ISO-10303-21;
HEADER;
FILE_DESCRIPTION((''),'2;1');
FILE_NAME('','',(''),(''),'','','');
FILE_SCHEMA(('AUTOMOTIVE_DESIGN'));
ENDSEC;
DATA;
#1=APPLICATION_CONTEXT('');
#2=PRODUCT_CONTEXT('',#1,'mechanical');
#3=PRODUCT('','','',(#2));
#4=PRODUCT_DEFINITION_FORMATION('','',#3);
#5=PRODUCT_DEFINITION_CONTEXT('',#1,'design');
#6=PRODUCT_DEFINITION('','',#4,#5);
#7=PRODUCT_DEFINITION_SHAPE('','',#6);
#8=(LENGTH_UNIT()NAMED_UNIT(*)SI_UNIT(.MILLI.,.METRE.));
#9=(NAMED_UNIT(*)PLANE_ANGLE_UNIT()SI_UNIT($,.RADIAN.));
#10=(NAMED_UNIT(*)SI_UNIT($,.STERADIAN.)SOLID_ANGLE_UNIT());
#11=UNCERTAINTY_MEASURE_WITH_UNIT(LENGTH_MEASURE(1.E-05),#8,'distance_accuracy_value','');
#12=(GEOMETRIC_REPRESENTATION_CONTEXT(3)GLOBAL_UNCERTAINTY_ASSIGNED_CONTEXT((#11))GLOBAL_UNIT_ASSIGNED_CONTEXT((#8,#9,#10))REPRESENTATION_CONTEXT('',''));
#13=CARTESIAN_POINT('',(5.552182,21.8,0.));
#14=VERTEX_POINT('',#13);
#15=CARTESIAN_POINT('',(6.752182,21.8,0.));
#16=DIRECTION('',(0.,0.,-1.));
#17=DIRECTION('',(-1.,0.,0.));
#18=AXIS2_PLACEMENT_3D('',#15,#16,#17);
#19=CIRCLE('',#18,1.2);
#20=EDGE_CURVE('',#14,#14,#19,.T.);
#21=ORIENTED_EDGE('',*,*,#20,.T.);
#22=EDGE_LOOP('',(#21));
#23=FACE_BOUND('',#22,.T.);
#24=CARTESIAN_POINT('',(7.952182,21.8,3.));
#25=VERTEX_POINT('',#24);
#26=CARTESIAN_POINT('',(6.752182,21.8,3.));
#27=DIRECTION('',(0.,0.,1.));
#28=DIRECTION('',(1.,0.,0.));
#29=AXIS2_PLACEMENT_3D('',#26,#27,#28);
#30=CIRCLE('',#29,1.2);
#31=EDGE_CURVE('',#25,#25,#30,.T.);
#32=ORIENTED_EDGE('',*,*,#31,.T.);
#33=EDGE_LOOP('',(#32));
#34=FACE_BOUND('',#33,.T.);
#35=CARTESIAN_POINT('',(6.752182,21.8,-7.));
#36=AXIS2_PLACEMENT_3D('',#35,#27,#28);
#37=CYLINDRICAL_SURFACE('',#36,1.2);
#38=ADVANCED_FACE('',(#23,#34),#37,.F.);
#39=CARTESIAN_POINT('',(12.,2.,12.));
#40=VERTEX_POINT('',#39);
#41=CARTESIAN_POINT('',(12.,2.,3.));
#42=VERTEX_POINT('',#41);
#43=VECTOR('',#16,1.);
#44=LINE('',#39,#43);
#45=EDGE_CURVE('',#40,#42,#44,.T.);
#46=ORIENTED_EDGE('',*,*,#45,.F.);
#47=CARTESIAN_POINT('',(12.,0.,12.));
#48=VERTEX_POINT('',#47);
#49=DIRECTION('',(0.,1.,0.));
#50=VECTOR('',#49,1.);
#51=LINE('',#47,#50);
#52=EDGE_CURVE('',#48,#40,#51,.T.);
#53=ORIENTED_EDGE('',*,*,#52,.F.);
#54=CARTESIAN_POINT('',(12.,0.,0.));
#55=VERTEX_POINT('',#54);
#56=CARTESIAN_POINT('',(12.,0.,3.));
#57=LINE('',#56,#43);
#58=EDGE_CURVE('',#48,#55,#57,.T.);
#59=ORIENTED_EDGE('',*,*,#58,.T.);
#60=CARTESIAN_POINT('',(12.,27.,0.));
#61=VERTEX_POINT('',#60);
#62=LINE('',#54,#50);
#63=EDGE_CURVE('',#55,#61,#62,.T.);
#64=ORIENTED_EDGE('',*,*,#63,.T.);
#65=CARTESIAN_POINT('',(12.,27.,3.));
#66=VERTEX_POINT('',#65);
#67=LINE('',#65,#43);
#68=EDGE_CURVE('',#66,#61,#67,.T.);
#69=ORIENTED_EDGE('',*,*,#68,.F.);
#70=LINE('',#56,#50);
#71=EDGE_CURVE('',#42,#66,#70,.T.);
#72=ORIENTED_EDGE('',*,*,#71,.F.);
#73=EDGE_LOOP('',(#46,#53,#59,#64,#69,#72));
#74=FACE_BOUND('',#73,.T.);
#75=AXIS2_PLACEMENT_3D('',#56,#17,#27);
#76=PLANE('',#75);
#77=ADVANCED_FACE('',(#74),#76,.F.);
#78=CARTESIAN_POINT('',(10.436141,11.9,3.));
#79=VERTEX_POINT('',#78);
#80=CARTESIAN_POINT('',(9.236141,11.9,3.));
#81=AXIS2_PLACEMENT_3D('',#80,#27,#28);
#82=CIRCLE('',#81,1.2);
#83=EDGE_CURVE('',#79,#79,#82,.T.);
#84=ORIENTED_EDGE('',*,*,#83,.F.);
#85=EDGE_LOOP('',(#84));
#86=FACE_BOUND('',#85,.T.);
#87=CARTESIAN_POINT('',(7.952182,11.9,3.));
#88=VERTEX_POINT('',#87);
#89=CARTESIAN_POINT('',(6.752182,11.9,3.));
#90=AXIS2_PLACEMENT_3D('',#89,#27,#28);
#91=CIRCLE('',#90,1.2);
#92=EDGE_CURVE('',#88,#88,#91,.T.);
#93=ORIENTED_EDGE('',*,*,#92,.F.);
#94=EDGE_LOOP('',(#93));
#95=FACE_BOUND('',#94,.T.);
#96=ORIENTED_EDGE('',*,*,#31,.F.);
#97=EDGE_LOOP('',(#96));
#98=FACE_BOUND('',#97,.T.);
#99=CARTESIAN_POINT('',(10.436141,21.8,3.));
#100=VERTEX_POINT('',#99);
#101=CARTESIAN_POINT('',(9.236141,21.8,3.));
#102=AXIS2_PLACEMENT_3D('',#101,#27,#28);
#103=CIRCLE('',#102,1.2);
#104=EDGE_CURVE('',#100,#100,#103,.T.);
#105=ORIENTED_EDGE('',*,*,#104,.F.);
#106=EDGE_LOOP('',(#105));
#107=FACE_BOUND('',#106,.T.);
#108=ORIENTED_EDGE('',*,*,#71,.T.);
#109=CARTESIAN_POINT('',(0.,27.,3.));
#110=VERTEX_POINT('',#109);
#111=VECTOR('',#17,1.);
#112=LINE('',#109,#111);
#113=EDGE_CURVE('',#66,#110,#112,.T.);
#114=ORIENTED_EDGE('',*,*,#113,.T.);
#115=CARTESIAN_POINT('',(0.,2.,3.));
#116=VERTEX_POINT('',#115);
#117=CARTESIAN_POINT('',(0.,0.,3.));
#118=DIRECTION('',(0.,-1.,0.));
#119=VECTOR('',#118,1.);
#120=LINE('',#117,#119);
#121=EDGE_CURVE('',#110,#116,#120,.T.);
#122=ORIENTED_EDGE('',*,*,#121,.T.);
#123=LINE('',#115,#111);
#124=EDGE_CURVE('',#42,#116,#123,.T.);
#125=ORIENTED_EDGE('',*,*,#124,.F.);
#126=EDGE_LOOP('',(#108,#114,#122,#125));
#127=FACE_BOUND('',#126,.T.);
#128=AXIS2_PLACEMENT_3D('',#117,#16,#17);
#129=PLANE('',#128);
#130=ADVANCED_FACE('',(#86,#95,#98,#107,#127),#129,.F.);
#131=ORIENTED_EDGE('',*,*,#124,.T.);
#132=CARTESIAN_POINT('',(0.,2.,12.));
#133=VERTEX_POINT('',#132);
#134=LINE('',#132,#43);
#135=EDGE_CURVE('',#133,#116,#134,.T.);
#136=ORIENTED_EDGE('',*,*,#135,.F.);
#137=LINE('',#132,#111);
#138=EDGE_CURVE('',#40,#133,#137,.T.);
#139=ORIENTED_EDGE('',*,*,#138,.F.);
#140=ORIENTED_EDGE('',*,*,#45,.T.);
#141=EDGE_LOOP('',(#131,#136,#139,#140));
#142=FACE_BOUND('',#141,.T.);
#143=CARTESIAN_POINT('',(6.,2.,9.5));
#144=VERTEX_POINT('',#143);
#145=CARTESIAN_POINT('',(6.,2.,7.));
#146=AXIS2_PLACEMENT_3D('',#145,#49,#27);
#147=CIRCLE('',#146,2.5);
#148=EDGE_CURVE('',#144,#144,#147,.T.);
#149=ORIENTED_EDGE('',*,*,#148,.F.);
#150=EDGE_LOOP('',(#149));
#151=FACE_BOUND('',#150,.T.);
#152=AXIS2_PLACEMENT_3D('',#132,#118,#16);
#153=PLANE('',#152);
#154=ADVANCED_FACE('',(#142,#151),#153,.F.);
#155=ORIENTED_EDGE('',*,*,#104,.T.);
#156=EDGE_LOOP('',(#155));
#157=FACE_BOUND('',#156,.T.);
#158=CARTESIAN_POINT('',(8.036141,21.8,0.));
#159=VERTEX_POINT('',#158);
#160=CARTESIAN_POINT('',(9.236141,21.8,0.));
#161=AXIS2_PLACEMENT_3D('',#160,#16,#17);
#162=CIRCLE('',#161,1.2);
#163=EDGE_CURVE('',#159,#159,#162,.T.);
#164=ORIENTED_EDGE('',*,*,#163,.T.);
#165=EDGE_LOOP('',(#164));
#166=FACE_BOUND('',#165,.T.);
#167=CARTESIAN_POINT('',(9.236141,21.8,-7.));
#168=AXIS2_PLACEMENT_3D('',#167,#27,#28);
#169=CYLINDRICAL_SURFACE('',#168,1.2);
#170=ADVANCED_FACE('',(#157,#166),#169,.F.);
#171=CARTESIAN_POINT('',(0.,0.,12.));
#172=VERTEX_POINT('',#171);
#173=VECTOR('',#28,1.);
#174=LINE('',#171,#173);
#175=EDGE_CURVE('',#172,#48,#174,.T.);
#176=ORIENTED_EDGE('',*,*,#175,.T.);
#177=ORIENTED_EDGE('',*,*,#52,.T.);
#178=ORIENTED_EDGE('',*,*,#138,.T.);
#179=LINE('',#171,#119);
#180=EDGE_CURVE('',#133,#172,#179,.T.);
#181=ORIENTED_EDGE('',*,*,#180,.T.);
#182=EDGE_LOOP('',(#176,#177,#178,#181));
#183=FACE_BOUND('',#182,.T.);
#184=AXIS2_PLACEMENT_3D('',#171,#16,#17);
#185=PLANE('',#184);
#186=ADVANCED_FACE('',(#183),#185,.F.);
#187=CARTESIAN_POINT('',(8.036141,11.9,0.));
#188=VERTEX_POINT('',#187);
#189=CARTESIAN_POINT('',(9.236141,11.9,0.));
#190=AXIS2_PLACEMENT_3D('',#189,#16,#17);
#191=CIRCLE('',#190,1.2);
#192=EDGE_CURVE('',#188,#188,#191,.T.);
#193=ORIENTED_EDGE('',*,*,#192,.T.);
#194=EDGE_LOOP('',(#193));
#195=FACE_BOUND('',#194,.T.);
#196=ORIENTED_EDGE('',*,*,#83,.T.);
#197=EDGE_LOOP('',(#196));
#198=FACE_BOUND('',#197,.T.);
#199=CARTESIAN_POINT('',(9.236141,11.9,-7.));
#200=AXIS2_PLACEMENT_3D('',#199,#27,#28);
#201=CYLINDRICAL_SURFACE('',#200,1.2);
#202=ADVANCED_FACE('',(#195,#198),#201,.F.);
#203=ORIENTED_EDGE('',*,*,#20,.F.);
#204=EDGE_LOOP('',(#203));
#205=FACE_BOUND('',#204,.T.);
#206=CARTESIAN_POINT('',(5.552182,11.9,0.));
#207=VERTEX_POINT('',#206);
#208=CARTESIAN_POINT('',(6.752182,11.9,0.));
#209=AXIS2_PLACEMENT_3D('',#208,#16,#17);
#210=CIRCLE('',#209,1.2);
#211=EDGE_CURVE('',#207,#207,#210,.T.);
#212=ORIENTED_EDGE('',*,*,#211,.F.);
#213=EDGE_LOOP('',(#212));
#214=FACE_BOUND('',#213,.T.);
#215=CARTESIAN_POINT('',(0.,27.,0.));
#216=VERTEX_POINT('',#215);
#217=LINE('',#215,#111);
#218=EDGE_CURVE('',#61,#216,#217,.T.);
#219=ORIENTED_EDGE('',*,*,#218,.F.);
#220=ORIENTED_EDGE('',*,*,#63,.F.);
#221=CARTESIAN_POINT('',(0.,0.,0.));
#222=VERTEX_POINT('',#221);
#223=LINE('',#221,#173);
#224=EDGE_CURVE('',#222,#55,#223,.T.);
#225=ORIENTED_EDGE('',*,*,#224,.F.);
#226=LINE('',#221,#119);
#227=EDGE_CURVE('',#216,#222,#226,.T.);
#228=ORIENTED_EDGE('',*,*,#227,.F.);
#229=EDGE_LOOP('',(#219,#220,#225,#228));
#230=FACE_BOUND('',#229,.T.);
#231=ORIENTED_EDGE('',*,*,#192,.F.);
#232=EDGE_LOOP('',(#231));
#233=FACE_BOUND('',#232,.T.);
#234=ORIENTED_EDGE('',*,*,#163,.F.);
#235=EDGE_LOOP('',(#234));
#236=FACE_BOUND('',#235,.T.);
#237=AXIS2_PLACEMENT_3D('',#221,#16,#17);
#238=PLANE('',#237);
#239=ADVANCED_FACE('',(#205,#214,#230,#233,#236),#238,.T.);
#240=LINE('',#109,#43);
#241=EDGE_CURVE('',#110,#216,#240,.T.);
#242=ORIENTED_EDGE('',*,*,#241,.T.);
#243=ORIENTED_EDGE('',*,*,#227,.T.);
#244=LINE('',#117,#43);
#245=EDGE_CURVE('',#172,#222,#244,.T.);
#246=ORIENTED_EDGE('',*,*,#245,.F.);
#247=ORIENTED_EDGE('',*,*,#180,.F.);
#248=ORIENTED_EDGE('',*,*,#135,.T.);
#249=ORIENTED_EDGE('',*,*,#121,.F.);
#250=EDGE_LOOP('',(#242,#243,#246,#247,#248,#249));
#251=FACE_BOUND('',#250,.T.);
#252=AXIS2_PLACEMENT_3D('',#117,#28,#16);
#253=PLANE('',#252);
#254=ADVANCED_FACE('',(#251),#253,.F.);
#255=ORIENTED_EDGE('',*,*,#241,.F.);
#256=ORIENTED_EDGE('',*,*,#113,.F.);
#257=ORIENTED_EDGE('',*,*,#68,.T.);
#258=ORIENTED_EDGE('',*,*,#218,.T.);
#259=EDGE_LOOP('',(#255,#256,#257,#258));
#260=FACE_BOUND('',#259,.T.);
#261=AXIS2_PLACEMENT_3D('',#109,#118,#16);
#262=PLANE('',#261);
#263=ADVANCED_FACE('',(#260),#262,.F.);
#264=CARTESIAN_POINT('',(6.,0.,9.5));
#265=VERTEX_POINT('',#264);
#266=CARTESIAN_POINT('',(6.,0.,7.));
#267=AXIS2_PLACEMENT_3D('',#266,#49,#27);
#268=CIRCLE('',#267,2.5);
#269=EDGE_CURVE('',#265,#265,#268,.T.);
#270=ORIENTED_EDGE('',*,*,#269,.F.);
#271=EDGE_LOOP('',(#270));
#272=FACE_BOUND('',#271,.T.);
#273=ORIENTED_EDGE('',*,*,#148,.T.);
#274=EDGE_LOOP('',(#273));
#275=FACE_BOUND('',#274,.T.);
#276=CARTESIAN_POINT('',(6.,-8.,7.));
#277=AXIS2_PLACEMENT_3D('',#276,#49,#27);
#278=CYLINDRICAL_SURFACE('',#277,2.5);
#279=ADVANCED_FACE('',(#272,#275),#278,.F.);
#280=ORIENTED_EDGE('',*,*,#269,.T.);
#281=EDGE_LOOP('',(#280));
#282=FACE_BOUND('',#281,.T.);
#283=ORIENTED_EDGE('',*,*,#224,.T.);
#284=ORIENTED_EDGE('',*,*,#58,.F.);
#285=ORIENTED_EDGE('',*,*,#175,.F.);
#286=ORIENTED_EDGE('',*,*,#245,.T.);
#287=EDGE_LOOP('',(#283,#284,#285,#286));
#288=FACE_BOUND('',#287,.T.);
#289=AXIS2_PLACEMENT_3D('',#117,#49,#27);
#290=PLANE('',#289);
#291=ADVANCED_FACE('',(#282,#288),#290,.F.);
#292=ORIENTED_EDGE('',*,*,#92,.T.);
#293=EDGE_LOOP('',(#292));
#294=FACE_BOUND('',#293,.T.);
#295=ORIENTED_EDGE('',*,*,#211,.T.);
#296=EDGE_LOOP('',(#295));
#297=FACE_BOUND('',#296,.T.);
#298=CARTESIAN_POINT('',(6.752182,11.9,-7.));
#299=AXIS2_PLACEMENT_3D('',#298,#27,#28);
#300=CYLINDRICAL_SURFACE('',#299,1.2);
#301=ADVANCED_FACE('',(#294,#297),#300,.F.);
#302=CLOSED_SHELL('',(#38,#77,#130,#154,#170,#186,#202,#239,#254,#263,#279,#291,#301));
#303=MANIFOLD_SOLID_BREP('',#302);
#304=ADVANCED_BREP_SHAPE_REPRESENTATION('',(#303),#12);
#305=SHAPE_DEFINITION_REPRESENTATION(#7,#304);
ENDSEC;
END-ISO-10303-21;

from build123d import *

# Parameters (mm, degrees)
SKETCH1_W           = 12
SKETCH1_H           = 27
BOSS_EXTRUDE1_DEPTH = 3
SKETCH2_W           = 12
SKETCH2_H           = 2
BOSS_EXTRUDE2_DEPTH = 9
SKETCH3_R           = 2.5
CUT_EXTRUDE1_DEPTH  = 10
SKETCH4_R           = 1.2
CUT_EXTRUDE2_DEPTH  = 10
SKETCH5_R           = 1.2
CUT_EXTRUDE3_DEPTH  = 10


with BuildPart() as part:
    # Sketch1 → Boss-Extrude1 (new body)
    with BuildSketch(Plane.XY):
        with Locations((6, 13.5)):
            Rectangle(SKETCH1_W, SKETCH1_H)
    extrude(amount=BOSS_EXTRUDE1_DEPTH)

    # Sketch2 → Boss-Extrude2 (add)
    with BuildSketch(Plane.XY.offset(3)):
        with Locations((6, 1)):
            Rectangle(SKETCH2_W, SKETCH2_H)
    extrude(amount=BOSS_EXTRUDE2_DEPTH)

    # Sketch3 → Cut-Extrude1 (cut)
    with BuildSketch(Plane(origin=(0, 2, 0), x_dir=(1, 0, 0), z_dir=(0, 1, 0))):
        with Locations((6, -7)):
            Circle(SKETCH3_R)
    extrude(amount=-CUT_EXTRUDE1_DEPTH, mode=Mode.SUBTRACT)

    # Sketch4 → Cut-Extrude2 (cut)
    with BuildSketch(Plane.XY.offset(3)):
        with Locations((9.236141261, 11.9)):
            Circle(SKETCH4_R)
        with Locations((9.236141261, 21.8)):
            Circle(SKETCH4_R)
    extrude(amount=-CUT_EXTRUDE2_DEPTH, mode=Mode.SUBTRACT)

    # Sketch5 → Cut-Extrude3 (cut)
    with BuildSketch(Plane.XY.offset(3)):
        with Locations((6.752182316, 11.9)):
            Circle(SKETCH5_R)
        with Locations((6.752182316, 21.8)):
            Circle(SKETCH5_R)
    extrude(amount=-CUT_EXTRUDE3_DEPTH, mode=Mode.SUBTRACT)


solid = part.part
